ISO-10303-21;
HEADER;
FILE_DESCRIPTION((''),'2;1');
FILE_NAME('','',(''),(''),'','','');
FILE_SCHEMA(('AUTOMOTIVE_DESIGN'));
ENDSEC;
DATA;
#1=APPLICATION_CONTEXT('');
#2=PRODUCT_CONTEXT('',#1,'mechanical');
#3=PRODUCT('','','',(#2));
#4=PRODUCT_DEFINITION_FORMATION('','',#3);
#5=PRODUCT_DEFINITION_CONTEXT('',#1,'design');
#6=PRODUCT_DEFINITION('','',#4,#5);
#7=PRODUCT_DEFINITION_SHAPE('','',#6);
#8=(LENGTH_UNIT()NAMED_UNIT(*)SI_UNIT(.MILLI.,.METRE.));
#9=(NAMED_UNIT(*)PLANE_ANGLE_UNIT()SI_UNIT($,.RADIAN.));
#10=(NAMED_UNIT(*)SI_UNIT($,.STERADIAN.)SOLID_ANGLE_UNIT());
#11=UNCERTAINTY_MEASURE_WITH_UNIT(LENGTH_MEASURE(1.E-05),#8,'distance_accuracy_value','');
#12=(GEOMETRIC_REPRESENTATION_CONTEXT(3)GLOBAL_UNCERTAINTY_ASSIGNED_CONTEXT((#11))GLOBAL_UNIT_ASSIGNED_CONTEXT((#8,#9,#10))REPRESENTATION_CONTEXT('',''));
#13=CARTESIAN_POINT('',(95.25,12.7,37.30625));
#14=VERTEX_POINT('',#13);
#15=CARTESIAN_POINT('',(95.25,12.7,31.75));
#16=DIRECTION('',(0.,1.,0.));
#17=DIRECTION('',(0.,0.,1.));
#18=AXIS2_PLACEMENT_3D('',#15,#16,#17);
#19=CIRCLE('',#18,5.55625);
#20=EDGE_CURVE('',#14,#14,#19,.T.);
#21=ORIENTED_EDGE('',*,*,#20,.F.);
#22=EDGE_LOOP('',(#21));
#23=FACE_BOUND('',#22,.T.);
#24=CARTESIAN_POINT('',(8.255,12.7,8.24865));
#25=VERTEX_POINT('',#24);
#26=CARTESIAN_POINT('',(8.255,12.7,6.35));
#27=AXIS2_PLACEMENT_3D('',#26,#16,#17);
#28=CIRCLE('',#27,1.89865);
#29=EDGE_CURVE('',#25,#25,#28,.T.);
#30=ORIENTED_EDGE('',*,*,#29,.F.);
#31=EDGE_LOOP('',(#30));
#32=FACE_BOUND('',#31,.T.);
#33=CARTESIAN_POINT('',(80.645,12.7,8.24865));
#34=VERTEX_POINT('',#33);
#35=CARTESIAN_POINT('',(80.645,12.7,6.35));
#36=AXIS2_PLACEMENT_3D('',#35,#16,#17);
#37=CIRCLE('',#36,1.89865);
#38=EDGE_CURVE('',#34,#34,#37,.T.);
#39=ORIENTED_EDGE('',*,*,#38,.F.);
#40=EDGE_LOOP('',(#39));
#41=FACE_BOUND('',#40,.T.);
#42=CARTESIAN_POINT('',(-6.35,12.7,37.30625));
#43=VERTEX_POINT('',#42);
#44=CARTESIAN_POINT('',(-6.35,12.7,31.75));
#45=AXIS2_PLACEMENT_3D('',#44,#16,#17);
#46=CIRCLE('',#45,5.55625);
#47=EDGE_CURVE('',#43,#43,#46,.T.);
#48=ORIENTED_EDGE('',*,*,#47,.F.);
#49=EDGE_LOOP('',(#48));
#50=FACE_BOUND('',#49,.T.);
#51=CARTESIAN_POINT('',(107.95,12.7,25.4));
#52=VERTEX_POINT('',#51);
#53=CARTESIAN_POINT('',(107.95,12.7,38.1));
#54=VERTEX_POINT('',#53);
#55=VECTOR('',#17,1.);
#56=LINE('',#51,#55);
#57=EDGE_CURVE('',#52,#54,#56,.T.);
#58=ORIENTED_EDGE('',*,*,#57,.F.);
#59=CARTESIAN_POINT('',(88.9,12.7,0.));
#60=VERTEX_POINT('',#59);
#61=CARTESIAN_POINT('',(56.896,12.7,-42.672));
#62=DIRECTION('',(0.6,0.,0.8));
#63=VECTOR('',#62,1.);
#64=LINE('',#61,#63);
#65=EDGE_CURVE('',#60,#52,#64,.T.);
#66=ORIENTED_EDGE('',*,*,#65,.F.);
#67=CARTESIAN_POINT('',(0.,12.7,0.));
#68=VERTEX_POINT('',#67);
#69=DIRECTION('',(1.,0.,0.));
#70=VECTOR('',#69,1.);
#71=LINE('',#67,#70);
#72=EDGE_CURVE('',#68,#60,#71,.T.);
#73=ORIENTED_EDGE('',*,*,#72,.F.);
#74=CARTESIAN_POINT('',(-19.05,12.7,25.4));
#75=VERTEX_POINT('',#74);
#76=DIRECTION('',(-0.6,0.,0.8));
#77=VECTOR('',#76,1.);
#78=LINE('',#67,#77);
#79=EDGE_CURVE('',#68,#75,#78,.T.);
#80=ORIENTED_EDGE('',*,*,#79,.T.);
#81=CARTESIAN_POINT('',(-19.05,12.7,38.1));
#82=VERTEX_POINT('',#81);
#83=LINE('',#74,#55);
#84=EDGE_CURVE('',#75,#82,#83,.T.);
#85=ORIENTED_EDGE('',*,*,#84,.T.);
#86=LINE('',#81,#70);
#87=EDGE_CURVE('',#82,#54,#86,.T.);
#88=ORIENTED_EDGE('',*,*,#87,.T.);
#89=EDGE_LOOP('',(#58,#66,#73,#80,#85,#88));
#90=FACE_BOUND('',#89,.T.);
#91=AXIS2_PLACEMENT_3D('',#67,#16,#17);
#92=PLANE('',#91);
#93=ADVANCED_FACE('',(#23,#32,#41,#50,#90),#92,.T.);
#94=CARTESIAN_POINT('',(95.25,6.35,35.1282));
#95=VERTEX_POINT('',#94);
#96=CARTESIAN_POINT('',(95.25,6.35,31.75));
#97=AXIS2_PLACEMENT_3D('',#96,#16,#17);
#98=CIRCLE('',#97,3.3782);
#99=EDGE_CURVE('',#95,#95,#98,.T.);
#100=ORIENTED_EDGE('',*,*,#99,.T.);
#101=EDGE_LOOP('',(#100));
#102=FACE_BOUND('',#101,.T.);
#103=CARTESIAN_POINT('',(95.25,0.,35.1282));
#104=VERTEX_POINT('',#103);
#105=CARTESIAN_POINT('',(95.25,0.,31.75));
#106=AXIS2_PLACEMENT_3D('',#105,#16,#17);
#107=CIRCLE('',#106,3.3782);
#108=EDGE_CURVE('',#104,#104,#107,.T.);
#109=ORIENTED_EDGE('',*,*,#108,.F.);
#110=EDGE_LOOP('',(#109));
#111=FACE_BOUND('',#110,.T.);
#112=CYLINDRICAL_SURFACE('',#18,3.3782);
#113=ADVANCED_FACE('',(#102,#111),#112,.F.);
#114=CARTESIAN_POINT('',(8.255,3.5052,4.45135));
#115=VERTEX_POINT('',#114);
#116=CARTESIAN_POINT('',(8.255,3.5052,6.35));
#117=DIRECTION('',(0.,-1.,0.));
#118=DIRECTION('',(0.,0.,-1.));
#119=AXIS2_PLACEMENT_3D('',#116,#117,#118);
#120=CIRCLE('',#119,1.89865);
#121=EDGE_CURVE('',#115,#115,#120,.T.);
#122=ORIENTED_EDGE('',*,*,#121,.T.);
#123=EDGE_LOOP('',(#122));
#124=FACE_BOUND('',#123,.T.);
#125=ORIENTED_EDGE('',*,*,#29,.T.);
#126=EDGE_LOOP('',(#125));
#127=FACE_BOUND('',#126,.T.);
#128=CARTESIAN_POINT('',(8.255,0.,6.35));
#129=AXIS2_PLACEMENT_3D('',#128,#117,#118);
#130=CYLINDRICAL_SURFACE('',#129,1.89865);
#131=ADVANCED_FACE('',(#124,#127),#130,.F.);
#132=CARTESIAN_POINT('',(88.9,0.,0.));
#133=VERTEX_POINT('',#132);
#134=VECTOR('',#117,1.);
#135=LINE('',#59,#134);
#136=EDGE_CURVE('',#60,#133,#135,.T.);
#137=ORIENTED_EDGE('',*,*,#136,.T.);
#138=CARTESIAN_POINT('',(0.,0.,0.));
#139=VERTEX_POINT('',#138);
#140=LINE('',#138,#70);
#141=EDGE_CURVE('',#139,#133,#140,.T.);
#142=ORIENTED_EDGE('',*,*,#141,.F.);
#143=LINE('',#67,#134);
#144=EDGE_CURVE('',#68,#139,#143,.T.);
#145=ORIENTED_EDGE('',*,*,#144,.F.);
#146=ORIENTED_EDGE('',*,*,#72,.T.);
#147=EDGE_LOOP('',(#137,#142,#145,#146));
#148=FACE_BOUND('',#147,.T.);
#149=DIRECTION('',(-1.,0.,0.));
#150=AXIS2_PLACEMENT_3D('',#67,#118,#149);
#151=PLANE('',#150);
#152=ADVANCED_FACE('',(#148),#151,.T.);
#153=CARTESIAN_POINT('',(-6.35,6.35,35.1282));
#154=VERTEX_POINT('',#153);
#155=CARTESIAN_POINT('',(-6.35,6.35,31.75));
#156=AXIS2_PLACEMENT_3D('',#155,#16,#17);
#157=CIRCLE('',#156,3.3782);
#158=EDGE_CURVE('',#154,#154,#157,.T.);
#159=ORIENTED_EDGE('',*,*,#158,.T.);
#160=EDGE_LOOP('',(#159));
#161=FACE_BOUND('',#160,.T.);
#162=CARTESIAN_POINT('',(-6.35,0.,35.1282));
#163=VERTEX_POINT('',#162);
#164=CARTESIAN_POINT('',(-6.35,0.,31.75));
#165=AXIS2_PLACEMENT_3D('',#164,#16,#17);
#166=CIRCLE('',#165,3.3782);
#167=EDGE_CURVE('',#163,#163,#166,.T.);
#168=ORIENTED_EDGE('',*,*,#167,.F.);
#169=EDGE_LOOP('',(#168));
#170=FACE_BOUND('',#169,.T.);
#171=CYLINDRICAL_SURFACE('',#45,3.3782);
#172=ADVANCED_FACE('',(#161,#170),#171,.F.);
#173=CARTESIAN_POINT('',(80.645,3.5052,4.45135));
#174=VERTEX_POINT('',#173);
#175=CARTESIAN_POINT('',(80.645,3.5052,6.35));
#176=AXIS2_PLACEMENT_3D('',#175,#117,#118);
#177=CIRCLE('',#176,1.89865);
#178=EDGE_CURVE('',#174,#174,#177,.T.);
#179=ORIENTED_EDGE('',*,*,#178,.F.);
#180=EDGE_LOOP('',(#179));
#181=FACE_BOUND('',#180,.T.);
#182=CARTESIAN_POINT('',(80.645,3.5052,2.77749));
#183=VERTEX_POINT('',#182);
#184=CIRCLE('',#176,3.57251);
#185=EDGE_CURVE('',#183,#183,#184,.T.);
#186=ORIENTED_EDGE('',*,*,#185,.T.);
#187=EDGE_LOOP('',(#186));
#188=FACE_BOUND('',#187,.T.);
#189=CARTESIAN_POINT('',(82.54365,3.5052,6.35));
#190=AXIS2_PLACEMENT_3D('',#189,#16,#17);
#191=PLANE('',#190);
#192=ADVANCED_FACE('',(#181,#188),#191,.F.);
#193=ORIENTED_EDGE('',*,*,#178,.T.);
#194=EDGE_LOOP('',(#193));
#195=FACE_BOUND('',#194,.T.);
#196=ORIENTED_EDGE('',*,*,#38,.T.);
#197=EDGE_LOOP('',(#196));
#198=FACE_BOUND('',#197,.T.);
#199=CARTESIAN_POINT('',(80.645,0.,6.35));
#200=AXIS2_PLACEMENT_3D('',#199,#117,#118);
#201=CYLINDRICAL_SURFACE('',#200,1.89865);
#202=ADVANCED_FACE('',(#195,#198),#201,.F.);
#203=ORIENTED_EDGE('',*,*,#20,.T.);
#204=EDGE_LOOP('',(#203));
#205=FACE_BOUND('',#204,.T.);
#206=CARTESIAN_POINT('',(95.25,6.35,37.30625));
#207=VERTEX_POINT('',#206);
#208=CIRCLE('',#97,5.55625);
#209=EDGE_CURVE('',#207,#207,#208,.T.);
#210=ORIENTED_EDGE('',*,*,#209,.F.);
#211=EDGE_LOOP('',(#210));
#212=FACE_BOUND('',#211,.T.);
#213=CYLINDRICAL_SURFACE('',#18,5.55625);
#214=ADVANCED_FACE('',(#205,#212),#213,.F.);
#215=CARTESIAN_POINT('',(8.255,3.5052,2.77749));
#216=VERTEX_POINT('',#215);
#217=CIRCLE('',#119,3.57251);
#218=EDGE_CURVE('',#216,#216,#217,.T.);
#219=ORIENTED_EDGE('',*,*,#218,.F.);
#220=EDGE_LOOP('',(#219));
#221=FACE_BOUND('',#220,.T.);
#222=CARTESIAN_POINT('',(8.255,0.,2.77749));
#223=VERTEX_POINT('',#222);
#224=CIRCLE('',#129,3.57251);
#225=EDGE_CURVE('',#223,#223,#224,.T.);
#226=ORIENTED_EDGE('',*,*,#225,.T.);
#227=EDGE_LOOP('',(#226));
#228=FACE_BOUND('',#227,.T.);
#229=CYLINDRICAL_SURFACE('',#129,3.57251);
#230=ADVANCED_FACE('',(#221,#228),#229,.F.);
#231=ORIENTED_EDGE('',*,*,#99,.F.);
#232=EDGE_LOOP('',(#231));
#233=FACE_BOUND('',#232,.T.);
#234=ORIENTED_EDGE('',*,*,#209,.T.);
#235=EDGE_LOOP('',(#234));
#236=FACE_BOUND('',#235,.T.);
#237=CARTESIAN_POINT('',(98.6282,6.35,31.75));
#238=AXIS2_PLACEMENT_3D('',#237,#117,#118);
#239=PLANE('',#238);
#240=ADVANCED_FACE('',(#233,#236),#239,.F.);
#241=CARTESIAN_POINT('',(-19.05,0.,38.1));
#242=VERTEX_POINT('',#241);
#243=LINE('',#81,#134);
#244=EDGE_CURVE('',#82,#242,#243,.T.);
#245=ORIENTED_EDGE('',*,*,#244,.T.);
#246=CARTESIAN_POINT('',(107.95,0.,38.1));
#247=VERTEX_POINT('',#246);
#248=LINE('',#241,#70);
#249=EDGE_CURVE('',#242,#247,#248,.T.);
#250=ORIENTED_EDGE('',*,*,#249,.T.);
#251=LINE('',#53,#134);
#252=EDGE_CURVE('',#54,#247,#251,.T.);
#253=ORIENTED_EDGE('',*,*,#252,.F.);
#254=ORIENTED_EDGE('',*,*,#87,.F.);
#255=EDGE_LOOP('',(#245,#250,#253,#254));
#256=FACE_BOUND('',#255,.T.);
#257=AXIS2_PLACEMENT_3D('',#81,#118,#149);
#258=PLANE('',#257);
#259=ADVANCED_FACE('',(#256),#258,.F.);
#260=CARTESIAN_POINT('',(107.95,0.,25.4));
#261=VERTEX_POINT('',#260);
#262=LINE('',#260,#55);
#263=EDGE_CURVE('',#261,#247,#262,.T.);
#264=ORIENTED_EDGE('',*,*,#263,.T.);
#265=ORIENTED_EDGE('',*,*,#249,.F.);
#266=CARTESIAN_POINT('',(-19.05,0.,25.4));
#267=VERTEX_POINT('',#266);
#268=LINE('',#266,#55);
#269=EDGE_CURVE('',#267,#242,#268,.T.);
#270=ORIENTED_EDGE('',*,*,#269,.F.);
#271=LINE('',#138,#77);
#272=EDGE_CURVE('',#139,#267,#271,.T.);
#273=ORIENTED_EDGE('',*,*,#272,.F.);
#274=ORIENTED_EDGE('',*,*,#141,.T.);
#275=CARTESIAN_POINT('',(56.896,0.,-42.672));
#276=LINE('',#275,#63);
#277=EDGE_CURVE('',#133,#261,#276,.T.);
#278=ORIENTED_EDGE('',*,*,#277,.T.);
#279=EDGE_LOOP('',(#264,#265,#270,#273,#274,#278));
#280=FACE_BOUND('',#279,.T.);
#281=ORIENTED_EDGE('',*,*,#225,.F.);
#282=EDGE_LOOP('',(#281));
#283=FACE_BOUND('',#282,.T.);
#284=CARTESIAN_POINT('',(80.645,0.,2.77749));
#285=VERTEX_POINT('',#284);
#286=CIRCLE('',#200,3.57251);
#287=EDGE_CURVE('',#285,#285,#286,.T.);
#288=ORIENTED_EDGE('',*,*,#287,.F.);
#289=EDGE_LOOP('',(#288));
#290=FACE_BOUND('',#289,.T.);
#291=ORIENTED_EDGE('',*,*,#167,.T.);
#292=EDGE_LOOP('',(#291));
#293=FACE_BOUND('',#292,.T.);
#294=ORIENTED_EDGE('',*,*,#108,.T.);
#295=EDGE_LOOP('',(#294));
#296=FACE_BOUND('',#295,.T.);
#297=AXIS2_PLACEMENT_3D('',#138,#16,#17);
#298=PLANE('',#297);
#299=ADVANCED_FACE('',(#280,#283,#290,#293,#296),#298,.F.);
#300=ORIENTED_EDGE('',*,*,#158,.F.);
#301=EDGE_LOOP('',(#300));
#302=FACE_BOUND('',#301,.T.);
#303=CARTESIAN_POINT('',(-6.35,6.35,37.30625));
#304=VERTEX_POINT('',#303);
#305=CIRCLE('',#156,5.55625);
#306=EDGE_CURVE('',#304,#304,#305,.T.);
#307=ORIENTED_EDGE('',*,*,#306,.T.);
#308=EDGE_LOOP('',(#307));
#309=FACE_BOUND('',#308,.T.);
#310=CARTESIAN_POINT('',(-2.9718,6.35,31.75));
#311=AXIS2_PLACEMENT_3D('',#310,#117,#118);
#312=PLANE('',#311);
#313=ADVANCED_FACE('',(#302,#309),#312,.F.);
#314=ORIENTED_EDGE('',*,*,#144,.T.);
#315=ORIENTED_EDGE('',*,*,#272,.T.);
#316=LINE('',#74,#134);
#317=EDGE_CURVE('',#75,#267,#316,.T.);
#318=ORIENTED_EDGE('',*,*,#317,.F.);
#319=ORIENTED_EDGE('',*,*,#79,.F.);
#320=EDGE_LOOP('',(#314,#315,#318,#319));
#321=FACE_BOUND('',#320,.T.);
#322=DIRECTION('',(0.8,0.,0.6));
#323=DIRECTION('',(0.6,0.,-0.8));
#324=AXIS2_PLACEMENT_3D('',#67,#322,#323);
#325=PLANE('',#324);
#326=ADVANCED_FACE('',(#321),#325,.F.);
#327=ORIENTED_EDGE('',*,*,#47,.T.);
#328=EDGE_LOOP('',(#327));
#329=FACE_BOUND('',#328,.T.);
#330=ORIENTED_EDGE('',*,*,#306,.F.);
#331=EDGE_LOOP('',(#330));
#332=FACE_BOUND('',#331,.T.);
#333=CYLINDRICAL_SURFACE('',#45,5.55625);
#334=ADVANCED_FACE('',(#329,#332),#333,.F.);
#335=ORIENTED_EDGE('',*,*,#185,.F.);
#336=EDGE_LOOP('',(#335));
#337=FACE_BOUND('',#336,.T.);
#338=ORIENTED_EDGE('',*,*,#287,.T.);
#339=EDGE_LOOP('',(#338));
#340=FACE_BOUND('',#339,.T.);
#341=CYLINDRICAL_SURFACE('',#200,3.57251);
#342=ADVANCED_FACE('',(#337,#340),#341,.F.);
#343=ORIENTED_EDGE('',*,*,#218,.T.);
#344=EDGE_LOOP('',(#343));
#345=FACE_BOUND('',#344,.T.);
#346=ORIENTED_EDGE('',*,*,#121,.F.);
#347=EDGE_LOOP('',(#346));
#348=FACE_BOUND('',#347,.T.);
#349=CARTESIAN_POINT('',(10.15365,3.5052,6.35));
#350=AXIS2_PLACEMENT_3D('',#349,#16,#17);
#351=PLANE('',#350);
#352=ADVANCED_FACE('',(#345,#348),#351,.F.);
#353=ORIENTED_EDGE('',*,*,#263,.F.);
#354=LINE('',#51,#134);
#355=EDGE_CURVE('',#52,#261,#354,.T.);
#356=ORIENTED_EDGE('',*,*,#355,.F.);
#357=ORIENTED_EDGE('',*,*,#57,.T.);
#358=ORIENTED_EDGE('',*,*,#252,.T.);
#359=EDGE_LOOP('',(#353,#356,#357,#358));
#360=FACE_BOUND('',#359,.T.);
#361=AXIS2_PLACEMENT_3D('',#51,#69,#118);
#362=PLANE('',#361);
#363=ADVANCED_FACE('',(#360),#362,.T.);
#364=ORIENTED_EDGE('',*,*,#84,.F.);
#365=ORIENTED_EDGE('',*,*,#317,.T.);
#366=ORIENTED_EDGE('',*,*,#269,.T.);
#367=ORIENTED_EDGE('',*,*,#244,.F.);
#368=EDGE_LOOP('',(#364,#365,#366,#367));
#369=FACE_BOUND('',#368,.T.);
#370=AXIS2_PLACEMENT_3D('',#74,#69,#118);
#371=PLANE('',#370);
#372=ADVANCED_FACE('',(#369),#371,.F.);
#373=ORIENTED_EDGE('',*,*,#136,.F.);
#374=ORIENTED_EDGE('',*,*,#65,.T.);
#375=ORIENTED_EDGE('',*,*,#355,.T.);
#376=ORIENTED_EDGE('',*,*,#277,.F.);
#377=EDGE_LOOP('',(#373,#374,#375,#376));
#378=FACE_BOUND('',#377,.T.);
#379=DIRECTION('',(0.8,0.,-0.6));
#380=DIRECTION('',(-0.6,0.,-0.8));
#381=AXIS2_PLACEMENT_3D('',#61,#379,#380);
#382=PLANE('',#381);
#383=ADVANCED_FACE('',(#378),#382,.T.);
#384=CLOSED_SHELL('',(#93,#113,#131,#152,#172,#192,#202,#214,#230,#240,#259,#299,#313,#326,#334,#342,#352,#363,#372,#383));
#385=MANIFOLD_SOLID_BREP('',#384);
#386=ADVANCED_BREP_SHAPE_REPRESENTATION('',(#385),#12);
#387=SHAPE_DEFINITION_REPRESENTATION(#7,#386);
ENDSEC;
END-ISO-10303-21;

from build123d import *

# Parameters (mm, degrees)
BOSS_EXTRUDE3_DEPTH                              = 12.7
CBORE_FOR_6_SOCKET_HEAD_CAP_SCREW1_D             = 3.7973
CBORE_FOR_6_SOCKET_HEAD_CAP_SCREW1_CBORE_D       = 7.14502
CBORE_FOR_6_SOCKET_HEAD_CAP_SCREW1_CBORE_DEPTH   = 3.5052
CBORE_FOR_1_4_SOCKET_HEAD_CAP_SCREW1_D           = 6.7564
CBORE_FOR_1_4_SOCKET_HEAD_CAP_SCREW1_CBORE_D     = 11.1125
CBORE_FOR_1_4_SOCKET_HEAD_CAP_SCREW1_CBORE_DEPTH = 6.35


with BuildPart() as part:
    # Sketch8 → Boss-Extrude3 (new body)
    with BuildSketch(Plane(origin=(0, 0, 0), x_dir=(1, 0, 0), z_dir=(0, 1, 0))):
        Polygon((0, 0), (88.9, 0), (107.95, -25.4), (107.95, -38.1), (-19.05, -38.1), (-19.05, -25.4), align=None)
    extrude(amount=BOSS_EXTRUDE3_DEPTH)

    # CBORE for #6 Socket Head Cap Screw1 (through all)
    with Locations(Plane(origin=(0, 0, 0), x_dir=(-1, 0, 0), z_dir=(0, -1, 0))):
        with Locations((-80.645, -6.35), (-8.255, -6.35)):
            CounterBoreHole(CBORE_FOR_6_SOCKET_HEAD_CAP_SCREW1_D / 2, CBORE_FOR_6_SOCKET_HEAD_CAP_SCREW1_CBORE_D / 2, CBORE_FOR_6_SOCKET_HEAD_CAP_SCREW1_CBORE_DEPTH)

    # CBORE for 1/4 Socket Head Cap Screw1 (through all)
    with Locations(Plane(origin=(0, 12.7, 0), x_dir=(1, 0, 0), z_dir=(0, 1, 0))):
        with Locations((-6.35, -31.75), (95.25, -31.75)):
            CounterBoreHole(CBORE_FOR_1_4_SOCKET_HEAD_CAP_SCREW1_D / 2, CBORE_FOR_1_4_SOCKET_HEAD_CAP_SCREW1_CBORE_D / 2, CBORE_FOR_1_4_SOCKET_HEAD_CAP_SCREW1_CBORE_DEPTH)


solid = part.part
